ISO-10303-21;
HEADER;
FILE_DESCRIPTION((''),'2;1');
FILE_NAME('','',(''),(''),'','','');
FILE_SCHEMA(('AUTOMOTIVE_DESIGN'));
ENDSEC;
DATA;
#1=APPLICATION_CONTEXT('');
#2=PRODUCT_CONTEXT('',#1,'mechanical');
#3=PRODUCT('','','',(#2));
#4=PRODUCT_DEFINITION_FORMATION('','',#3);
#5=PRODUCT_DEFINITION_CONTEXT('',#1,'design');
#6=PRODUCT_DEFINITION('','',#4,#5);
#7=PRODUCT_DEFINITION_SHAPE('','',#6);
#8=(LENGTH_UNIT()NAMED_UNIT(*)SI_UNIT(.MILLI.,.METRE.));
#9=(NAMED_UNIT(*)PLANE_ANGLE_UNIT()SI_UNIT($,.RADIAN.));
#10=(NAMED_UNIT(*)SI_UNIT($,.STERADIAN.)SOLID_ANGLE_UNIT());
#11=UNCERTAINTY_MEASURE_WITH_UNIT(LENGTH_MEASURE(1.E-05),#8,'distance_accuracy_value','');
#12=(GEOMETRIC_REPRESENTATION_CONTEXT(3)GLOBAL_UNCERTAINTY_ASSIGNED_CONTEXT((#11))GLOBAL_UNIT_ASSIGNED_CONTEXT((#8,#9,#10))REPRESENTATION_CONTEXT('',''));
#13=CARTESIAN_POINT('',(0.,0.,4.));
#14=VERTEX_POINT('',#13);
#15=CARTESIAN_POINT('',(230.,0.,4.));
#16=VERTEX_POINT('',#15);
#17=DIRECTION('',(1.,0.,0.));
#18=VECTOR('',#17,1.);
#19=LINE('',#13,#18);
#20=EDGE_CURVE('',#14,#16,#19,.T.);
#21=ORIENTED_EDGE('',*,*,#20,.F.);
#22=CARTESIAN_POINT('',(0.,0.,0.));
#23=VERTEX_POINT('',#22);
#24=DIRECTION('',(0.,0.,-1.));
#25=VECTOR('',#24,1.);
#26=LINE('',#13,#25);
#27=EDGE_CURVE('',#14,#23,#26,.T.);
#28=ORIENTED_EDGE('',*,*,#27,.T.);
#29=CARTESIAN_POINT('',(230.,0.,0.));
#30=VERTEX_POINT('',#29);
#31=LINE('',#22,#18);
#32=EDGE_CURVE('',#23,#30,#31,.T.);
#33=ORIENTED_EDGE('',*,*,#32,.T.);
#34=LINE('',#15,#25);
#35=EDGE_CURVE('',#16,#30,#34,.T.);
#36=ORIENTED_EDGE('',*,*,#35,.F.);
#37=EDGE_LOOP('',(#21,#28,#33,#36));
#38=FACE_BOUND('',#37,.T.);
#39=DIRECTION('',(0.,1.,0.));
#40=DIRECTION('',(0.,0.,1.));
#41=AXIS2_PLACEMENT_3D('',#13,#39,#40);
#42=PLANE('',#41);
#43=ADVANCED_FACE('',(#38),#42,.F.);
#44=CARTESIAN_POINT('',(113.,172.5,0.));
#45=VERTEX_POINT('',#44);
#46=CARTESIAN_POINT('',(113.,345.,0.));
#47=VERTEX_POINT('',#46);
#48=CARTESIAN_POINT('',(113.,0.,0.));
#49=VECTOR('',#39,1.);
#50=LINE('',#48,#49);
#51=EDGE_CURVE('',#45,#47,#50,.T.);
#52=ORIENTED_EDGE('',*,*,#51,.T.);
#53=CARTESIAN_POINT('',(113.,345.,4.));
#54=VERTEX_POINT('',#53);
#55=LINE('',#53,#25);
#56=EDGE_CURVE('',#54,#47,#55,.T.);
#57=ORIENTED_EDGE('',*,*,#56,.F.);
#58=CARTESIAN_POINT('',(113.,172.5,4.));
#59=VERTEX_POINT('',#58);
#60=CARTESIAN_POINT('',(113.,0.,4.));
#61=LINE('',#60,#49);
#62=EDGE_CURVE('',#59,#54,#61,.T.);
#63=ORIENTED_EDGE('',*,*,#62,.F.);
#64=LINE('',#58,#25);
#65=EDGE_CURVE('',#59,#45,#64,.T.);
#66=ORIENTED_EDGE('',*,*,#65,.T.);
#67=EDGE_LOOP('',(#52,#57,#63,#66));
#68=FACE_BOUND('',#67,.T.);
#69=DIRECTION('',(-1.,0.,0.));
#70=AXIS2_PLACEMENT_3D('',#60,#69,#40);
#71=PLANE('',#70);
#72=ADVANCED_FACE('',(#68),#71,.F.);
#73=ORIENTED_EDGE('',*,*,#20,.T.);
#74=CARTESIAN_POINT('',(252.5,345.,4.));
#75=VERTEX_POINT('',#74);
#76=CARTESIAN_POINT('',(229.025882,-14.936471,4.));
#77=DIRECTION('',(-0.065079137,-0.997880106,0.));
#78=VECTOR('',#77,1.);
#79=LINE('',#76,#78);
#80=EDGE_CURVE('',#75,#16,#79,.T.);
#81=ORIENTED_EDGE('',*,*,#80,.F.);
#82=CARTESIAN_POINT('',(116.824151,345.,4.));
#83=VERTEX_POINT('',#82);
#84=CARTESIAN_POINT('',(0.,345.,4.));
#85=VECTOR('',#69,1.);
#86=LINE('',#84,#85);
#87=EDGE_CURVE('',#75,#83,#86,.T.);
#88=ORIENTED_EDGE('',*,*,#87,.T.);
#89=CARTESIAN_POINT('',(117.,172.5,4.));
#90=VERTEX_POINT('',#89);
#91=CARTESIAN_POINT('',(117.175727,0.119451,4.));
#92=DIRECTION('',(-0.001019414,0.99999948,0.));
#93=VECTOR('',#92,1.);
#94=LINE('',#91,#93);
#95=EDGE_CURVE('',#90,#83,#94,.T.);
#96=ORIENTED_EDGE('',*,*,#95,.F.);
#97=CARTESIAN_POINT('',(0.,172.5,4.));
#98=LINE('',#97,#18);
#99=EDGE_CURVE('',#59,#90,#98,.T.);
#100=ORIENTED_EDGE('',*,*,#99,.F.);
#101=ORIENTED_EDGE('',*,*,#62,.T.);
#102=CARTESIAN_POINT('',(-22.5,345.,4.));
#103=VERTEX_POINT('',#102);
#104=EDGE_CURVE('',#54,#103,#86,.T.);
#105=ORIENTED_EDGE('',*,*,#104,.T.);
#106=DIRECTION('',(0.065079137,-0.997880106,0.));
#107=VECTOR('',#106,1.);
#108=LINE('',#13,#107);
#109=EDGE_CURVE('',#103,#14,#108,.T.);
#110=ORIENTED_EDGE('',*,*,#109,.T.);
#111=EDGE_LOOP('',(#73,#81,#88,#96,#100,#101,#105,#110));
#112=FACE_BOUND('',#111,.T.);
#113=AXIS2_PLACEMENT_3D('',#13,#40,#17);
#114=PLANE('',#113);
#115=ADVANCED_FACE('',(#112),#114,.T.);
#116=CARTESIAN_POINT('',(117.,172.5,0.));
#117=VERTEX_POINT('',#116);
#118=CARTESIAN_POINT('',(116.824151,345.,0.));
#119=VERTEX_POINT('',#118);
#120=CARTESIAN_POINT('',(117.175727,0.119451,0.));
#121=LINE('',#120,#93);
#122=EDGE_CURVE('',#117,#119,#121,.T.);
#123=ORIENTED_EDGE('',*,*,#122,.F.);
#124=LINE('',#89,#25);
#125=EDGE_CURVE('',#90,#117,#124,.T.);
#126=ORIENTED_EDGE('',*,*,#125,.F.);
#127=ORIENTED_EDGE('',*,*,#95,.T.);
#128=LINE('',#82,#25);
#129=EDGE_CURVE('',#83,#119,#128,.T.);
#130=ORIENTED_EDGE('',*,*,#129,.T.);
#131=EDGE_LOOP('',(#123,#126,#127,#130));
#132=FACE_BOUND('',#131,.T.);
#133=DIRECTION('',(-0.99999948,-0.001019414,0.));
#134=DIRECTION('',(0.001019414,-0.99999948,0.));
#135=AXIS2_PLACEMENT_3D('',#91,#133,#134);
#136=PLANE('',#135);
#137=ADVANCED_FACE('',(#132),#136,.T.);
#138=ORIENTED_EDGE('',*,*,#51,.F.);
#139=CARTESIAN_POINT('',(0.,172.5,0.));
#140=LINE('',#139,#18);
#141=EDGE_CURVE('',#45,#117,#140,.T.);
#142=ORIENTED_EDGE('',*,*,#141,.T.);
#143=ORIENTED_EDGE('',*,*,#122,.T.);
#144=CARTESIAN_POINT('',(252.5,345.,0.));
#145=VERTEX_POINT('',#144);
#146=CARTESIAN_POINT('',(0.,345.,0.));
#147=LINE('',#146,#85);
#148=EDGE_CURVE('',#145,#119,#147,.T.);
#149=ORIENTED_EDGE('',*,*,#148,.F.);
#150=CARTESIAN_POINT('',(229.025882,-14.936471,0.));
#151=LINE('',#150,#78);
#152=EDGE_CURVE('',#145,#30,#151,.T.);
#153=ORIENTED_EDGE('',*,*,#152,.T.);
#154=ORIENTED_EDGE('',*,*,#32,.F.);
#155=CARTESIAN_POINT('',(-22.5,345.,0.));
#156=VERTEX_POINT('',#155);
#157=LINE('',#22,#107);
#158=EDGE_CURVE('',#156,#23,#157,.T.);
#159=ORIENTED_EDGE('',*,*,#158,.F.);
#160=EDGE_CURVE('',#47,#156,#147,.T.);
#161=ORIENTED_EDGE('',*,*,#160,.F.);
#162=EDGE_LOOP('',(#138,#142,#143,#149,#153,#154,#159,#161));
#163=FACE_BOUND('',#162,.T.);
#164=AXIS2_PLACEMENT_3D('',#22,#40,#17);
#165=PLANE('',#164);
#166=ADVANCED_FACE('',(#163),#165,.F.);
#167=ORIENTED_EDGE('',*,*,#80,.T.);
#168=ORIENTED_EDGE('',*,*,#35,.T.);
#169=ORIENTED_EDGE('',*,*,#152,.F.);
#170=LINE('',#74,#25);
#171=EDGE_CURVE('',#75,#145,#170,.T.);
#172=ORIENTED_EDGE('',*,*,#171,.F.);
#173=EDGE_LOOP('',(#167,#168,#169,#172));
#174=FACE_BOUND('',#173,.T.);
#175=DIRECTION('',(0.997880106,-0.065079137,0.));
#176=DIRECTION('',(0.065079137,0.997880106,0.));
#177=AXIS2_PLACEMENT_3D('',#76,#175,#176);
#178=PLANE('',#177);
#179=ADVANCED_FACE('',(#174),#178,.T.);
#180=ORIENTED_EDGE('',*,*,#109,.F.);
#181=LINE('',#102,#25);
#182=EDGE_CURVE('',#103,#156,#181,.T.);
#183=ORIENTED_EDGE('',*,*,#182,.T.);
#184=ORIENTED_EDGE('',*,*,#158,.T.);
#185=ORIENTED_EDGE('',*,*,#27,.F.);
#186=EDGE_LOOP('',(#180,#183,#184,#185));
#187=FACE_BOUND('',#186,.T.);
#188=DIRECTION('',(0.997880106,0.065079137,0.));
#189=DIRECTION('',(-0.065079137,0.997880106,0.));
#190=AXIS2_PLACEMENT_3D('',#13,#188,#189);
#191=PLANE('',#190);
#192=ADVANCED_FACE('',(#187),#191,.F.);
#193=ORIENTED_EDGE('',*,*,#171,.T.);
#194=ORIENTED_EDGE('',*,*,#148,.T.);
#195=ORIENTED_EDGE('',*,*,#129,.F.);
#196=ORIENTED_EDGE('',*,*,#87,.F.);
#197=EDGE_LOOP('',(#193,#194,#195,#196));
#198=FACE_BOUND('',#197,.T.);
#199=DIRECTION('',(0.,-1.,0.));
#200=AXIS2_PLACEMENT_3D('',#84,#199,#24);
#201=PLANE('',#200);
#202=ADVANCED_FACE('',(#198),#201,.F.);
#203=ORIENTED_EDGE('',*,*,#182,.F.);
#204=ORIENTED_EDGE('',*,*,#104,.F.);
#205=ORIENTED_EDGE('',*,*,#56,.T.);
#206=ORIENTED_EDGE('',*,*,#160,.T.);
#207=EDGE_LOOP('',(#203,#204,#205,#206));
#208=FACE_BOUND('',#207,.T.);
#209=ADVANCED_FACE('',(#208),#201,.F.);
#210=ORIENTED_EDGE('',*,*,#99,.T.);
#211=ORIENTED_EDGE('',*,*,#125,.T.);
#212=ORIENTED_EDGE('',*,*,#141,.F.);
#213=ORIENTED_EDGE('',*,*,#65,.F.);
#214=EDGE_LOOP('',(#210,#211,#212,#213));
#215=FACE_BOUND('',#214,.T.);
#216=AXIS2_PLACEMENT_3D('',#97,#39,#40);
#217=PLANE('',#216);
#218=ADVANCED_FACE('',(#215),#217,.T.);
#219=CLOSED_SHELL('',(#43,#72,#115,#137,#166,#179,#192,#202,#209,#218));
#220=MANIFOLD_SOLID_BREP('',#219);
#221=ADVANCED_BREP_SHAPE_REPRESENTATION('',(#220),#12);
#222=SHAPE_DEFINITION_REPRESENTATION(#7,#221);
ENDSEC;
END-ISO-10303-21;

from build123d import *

# Parameters (mm, degrees)
BOSS_EXTRUDE1_DEPTH = 4


with BuildPart() as part:
    # Sketch4 → Boss-Extrude1 (new body)
    with BuildSketch(Plane.XY):
        Polygon((-22.5, 345), (0, 0), (230, 0), (252.5, 345), (116.824151074, 345), (117, 172.5), (113, 172.5), (113, 345), align=None)
    extrude(amount=BOSS_EXTRUDE1_DEPTH)


solid = part.part
